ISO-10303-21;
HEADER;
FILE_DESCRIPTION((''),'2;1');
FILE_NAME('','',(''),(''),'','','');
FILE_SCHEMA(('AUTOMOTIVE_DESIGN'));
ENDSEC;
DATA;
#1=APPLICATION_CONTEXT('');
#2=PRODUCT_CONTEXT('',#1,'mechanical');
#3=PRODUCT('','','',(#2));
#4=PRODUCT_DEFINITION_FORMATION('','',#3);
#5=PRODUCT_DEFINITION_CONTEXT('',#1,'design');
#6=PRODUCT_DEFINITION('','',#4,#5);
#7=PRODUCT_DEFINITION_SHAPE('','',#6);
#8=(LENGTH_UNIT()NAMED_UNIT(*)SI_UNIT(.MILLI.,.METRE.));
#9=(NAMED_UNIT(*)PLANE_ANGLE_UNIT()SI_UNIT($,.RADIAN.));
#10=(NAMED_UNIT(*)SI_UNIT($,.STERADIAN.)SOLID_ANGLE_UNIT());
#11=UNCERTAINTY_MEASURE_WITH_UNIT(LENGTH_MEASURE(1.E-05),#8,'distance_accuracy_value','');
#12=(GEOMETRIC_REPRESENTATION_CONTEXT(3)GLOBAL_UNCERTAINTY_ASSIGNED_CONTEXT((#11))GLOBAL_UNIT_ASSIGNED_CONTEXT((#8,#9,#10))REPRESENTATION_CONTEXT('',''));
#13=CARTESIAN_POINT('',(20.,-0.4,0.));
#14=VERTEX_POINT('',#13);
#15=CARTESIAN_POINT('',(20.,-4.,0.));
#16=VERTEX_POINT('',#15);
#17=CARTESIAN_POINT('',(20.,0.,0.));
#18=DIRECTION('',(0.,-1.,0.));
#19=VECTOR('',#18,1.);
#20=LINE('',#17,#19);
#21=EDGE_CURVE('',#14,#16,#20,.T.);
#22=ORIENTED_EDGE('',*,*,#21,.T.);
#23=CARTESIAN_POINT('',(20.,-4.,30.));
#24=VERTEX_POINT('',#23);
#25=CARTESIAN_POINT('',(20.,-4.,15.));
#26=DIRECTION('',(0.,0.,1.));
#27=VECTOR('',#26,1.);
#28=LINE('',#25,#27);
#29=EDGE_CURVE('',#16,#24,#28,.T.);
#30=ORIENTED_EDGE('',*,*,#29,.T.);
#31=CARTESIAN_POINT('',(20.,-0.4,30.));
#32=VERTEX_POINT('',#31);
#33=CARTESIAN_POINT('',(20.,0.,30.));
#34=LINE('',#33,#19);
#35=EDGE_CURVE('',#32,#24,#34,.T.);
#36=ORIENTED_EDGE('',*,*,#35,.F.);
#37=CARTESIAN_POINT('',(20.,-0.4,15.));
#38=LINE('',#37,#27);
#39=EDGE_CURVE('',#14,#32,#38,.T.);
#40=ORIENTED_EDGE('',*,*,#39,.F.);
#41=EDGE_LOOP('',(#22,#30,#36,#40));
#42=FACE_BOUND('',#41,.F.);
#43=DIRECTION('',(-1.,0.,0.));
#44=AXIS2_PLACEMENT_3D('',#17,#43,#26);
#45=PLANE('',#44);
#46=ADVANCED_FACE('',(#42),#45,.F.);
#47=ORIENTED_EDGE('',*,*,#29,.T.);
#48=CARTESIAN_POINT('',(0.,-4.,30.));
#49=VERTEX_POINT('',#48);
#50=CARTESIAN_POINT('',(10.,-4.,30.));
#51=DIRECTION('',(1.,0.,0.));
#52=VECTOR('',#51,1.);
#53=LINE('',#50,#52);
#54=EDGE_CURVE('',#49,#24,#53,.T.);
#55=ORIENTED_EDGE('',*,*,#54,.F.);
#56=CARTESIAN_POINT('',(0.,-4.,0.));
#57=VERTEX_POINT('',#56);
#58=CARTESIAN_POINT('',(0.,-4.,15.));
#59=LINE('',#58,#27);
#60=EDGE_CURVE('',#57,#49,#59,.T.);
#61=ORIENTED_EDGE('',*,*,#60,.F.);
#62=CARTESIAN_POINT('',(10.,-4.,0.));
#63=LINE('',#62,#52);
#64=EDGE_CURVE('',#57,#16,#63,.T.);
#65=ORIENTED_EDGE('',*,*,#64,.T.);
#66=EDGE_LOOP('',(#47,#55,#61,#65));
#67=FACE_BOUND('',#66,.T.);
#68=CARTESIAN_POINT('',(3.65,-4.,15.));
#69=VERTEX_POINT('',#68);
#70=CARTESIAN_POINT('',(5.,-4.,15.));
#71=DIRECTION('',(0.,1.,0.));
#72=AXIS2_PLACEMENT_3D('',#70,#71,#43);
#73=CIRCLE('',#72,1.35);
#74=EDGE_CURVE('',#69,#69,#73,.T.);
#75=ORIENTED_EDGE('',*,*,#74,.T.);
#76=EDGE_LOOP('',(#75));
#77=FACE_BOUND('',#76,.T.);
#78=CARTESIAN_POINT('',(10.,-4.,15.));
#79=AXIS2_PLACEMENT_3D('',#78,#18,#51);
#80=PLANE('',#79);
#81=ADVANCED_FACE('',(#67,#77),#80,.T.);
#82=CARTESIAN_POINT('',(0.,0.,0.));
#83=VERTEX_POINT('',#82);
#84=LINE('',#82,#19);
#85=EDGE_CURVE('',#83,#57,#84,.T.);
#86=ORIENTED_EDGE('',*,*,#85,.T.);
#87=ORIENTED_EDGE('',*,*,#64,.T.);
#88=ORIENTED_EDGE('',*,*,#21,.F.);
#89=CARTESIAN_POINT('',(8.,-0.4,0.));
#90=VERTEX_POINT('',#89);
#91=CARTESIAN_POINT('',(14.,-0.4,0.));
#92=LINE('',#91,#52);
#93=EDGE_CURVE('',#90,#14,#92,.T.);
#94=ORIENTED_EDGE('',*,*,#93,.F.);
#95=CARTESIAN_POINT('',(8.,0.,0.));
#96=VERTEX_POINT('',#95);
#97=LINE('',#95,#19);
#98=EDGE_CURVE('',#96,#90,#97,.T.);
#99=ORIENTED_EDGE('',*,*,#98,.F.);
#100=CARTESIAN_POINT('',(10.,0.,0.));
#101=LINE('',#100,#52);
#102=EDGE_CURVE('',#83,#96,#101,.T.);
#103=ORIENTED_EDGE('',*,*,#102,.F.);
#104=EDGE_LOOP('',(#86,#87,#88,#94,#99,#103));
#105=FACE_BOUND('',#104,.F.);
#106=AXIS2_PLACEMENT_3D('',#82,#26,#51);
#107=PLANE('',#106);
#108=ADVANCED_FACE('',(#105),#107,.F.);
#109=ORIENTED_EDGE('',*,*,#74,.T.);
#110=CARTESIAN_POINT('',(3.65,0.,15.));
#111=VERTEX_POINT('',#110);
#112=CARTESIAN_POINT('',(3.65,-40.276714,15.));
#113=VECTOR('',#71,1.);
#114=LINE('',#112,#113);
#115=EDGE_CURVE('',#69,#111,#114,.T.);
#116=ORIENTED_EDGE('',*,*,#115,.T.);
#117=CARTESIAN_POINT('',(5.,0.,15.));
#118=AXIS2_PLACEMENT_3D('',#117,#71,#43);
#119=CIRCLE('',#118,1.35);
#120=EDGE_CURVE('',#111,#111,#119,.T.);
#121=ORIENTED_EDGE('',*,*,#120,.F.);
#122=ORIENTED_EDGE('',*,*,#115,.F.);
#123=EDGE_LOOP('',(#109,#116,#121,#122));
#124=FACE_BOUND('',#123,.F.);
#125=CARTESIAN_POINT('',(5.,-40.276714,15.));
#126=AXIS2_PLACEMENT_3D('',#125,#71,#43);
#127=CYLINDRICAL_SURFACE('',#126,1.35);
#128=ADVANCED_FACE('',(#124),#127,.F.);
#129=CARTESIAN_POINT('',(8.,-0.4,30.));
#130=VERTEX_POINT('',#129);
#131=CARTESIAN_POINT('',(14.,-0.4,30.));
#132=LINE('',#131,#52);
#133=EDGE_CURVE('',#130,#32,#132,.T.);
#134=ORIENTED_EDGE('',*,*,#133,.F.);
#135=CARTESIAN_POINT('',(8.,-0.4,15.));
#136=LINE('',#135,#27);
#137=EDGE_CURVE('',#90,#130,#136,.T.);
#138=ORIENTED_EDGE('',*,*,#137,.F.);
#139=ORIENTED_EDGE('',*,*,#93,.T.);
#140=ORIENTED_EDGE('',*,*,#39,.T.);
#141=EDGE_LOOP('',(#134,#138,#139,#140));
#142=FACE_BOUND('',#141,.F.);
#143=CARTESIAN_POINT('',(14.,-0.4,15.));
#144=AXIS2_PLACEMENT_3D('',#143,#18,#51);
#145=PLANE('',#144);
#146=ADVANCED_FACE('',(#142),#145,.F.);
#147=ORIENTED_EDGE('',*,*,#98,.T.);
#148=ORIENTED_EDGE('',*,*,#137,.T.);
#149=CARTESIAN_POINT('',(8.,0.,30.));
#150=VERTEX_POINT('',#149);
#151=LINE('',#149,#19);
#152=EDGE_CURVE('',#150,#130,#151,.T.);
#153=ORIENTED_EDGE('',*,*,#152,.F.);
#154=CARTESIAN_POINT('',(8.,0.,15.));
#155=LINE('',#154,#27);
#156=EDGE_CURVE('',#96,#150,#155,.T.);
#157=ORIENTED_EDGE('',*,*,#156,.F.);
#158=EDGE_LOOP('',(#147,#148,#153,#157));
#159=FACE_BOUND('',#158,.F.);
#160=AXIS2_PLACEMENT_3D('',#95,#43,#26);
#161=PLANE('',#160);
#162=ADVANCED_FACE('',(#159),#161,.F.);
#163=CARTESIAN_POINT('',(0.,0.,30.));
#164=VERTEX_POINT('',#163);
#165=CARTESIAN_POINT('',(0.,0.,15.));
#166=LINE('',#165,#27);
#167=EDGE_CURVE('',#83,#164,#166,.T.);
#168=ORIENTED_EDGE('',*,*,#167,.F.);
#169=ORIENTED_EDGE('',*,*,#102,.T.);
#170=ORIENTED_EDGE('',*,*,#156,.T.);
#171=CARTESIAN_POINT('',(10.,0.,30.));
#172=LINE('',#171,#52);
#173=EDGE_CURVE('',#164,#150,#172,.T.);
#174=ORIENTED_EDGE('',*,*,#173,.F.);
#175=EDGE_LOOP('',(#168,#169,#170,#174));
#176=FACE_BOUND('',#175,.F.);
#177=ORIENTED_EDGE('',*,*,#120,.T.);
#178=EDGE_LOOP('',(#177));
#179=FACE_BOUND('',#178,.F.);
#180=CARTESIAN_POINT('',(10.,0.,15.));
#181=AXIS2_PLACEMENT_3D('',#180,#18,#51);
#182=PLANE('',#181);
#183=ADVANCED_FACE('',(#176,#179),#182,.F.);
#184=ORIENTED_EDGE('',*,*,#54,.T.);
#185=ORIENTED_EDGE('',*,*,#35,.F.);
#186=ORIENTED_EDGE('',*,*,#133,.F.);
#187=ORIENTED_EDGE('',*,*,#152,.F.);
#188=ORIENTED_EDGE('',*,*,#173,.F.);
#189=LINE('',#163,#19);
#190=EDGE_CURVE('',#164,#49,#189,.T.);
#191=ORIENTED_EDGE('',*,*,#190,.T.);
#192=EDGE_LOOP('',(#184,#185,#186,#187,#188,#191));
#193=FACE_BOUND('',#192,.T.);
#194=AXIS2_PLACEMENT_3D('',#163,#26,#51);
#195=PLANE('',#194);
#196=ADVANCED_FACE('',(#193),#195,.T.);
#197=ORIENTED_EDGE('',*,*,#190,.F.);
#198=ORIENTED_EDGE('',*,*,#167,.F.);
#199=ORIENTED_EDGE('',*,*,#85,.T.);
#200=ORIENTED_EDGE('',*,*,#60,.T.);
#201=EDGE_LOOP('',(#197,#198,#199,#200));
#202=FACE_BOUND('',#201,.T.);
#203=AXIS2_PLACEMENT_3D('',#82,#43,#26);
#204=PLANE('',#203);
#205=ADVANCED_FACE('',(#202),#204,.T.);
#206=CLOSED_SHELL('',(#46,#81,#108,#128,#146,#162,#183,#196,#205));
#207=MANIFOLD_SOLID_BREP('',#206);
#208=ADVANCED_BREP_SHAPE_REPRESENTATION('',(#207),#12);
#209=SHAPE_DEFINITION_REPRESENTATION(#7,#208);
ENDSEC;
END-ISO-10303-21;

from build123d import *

# Parameters (mm, degrees)
F0_W     = 20
F0_H     = 30
F1_DEPTH = 4
F2_W     = 12
F2_H     = 30
F3_DEPTH = 0.4
F5_D     = 2.7


with BuildPart() as f1:
    # F0 (on Front) → F1 (new body)
    with BuildSketch(Plane.XZ):
        with Locations((10, 15)):
            Rectangle(F0_W, F0_H)
    extrude(amount=F1_DEPTH)

    # F2 (on Front) → F3 (cut)
    with BuildSketch(Plane.XZ):
        with Locations((14, 15)):
            Rectangle(F2_W, F2_H)
    extrude(amount=F3_DEPTH, mode=Mode.SUBTRACT)

    # F5 (through all)
    with Locations(Plane.XZ.offset(4)):
        with Locations((5, 15)):
            Hole(F5_D / 2)


solid = f1.part
